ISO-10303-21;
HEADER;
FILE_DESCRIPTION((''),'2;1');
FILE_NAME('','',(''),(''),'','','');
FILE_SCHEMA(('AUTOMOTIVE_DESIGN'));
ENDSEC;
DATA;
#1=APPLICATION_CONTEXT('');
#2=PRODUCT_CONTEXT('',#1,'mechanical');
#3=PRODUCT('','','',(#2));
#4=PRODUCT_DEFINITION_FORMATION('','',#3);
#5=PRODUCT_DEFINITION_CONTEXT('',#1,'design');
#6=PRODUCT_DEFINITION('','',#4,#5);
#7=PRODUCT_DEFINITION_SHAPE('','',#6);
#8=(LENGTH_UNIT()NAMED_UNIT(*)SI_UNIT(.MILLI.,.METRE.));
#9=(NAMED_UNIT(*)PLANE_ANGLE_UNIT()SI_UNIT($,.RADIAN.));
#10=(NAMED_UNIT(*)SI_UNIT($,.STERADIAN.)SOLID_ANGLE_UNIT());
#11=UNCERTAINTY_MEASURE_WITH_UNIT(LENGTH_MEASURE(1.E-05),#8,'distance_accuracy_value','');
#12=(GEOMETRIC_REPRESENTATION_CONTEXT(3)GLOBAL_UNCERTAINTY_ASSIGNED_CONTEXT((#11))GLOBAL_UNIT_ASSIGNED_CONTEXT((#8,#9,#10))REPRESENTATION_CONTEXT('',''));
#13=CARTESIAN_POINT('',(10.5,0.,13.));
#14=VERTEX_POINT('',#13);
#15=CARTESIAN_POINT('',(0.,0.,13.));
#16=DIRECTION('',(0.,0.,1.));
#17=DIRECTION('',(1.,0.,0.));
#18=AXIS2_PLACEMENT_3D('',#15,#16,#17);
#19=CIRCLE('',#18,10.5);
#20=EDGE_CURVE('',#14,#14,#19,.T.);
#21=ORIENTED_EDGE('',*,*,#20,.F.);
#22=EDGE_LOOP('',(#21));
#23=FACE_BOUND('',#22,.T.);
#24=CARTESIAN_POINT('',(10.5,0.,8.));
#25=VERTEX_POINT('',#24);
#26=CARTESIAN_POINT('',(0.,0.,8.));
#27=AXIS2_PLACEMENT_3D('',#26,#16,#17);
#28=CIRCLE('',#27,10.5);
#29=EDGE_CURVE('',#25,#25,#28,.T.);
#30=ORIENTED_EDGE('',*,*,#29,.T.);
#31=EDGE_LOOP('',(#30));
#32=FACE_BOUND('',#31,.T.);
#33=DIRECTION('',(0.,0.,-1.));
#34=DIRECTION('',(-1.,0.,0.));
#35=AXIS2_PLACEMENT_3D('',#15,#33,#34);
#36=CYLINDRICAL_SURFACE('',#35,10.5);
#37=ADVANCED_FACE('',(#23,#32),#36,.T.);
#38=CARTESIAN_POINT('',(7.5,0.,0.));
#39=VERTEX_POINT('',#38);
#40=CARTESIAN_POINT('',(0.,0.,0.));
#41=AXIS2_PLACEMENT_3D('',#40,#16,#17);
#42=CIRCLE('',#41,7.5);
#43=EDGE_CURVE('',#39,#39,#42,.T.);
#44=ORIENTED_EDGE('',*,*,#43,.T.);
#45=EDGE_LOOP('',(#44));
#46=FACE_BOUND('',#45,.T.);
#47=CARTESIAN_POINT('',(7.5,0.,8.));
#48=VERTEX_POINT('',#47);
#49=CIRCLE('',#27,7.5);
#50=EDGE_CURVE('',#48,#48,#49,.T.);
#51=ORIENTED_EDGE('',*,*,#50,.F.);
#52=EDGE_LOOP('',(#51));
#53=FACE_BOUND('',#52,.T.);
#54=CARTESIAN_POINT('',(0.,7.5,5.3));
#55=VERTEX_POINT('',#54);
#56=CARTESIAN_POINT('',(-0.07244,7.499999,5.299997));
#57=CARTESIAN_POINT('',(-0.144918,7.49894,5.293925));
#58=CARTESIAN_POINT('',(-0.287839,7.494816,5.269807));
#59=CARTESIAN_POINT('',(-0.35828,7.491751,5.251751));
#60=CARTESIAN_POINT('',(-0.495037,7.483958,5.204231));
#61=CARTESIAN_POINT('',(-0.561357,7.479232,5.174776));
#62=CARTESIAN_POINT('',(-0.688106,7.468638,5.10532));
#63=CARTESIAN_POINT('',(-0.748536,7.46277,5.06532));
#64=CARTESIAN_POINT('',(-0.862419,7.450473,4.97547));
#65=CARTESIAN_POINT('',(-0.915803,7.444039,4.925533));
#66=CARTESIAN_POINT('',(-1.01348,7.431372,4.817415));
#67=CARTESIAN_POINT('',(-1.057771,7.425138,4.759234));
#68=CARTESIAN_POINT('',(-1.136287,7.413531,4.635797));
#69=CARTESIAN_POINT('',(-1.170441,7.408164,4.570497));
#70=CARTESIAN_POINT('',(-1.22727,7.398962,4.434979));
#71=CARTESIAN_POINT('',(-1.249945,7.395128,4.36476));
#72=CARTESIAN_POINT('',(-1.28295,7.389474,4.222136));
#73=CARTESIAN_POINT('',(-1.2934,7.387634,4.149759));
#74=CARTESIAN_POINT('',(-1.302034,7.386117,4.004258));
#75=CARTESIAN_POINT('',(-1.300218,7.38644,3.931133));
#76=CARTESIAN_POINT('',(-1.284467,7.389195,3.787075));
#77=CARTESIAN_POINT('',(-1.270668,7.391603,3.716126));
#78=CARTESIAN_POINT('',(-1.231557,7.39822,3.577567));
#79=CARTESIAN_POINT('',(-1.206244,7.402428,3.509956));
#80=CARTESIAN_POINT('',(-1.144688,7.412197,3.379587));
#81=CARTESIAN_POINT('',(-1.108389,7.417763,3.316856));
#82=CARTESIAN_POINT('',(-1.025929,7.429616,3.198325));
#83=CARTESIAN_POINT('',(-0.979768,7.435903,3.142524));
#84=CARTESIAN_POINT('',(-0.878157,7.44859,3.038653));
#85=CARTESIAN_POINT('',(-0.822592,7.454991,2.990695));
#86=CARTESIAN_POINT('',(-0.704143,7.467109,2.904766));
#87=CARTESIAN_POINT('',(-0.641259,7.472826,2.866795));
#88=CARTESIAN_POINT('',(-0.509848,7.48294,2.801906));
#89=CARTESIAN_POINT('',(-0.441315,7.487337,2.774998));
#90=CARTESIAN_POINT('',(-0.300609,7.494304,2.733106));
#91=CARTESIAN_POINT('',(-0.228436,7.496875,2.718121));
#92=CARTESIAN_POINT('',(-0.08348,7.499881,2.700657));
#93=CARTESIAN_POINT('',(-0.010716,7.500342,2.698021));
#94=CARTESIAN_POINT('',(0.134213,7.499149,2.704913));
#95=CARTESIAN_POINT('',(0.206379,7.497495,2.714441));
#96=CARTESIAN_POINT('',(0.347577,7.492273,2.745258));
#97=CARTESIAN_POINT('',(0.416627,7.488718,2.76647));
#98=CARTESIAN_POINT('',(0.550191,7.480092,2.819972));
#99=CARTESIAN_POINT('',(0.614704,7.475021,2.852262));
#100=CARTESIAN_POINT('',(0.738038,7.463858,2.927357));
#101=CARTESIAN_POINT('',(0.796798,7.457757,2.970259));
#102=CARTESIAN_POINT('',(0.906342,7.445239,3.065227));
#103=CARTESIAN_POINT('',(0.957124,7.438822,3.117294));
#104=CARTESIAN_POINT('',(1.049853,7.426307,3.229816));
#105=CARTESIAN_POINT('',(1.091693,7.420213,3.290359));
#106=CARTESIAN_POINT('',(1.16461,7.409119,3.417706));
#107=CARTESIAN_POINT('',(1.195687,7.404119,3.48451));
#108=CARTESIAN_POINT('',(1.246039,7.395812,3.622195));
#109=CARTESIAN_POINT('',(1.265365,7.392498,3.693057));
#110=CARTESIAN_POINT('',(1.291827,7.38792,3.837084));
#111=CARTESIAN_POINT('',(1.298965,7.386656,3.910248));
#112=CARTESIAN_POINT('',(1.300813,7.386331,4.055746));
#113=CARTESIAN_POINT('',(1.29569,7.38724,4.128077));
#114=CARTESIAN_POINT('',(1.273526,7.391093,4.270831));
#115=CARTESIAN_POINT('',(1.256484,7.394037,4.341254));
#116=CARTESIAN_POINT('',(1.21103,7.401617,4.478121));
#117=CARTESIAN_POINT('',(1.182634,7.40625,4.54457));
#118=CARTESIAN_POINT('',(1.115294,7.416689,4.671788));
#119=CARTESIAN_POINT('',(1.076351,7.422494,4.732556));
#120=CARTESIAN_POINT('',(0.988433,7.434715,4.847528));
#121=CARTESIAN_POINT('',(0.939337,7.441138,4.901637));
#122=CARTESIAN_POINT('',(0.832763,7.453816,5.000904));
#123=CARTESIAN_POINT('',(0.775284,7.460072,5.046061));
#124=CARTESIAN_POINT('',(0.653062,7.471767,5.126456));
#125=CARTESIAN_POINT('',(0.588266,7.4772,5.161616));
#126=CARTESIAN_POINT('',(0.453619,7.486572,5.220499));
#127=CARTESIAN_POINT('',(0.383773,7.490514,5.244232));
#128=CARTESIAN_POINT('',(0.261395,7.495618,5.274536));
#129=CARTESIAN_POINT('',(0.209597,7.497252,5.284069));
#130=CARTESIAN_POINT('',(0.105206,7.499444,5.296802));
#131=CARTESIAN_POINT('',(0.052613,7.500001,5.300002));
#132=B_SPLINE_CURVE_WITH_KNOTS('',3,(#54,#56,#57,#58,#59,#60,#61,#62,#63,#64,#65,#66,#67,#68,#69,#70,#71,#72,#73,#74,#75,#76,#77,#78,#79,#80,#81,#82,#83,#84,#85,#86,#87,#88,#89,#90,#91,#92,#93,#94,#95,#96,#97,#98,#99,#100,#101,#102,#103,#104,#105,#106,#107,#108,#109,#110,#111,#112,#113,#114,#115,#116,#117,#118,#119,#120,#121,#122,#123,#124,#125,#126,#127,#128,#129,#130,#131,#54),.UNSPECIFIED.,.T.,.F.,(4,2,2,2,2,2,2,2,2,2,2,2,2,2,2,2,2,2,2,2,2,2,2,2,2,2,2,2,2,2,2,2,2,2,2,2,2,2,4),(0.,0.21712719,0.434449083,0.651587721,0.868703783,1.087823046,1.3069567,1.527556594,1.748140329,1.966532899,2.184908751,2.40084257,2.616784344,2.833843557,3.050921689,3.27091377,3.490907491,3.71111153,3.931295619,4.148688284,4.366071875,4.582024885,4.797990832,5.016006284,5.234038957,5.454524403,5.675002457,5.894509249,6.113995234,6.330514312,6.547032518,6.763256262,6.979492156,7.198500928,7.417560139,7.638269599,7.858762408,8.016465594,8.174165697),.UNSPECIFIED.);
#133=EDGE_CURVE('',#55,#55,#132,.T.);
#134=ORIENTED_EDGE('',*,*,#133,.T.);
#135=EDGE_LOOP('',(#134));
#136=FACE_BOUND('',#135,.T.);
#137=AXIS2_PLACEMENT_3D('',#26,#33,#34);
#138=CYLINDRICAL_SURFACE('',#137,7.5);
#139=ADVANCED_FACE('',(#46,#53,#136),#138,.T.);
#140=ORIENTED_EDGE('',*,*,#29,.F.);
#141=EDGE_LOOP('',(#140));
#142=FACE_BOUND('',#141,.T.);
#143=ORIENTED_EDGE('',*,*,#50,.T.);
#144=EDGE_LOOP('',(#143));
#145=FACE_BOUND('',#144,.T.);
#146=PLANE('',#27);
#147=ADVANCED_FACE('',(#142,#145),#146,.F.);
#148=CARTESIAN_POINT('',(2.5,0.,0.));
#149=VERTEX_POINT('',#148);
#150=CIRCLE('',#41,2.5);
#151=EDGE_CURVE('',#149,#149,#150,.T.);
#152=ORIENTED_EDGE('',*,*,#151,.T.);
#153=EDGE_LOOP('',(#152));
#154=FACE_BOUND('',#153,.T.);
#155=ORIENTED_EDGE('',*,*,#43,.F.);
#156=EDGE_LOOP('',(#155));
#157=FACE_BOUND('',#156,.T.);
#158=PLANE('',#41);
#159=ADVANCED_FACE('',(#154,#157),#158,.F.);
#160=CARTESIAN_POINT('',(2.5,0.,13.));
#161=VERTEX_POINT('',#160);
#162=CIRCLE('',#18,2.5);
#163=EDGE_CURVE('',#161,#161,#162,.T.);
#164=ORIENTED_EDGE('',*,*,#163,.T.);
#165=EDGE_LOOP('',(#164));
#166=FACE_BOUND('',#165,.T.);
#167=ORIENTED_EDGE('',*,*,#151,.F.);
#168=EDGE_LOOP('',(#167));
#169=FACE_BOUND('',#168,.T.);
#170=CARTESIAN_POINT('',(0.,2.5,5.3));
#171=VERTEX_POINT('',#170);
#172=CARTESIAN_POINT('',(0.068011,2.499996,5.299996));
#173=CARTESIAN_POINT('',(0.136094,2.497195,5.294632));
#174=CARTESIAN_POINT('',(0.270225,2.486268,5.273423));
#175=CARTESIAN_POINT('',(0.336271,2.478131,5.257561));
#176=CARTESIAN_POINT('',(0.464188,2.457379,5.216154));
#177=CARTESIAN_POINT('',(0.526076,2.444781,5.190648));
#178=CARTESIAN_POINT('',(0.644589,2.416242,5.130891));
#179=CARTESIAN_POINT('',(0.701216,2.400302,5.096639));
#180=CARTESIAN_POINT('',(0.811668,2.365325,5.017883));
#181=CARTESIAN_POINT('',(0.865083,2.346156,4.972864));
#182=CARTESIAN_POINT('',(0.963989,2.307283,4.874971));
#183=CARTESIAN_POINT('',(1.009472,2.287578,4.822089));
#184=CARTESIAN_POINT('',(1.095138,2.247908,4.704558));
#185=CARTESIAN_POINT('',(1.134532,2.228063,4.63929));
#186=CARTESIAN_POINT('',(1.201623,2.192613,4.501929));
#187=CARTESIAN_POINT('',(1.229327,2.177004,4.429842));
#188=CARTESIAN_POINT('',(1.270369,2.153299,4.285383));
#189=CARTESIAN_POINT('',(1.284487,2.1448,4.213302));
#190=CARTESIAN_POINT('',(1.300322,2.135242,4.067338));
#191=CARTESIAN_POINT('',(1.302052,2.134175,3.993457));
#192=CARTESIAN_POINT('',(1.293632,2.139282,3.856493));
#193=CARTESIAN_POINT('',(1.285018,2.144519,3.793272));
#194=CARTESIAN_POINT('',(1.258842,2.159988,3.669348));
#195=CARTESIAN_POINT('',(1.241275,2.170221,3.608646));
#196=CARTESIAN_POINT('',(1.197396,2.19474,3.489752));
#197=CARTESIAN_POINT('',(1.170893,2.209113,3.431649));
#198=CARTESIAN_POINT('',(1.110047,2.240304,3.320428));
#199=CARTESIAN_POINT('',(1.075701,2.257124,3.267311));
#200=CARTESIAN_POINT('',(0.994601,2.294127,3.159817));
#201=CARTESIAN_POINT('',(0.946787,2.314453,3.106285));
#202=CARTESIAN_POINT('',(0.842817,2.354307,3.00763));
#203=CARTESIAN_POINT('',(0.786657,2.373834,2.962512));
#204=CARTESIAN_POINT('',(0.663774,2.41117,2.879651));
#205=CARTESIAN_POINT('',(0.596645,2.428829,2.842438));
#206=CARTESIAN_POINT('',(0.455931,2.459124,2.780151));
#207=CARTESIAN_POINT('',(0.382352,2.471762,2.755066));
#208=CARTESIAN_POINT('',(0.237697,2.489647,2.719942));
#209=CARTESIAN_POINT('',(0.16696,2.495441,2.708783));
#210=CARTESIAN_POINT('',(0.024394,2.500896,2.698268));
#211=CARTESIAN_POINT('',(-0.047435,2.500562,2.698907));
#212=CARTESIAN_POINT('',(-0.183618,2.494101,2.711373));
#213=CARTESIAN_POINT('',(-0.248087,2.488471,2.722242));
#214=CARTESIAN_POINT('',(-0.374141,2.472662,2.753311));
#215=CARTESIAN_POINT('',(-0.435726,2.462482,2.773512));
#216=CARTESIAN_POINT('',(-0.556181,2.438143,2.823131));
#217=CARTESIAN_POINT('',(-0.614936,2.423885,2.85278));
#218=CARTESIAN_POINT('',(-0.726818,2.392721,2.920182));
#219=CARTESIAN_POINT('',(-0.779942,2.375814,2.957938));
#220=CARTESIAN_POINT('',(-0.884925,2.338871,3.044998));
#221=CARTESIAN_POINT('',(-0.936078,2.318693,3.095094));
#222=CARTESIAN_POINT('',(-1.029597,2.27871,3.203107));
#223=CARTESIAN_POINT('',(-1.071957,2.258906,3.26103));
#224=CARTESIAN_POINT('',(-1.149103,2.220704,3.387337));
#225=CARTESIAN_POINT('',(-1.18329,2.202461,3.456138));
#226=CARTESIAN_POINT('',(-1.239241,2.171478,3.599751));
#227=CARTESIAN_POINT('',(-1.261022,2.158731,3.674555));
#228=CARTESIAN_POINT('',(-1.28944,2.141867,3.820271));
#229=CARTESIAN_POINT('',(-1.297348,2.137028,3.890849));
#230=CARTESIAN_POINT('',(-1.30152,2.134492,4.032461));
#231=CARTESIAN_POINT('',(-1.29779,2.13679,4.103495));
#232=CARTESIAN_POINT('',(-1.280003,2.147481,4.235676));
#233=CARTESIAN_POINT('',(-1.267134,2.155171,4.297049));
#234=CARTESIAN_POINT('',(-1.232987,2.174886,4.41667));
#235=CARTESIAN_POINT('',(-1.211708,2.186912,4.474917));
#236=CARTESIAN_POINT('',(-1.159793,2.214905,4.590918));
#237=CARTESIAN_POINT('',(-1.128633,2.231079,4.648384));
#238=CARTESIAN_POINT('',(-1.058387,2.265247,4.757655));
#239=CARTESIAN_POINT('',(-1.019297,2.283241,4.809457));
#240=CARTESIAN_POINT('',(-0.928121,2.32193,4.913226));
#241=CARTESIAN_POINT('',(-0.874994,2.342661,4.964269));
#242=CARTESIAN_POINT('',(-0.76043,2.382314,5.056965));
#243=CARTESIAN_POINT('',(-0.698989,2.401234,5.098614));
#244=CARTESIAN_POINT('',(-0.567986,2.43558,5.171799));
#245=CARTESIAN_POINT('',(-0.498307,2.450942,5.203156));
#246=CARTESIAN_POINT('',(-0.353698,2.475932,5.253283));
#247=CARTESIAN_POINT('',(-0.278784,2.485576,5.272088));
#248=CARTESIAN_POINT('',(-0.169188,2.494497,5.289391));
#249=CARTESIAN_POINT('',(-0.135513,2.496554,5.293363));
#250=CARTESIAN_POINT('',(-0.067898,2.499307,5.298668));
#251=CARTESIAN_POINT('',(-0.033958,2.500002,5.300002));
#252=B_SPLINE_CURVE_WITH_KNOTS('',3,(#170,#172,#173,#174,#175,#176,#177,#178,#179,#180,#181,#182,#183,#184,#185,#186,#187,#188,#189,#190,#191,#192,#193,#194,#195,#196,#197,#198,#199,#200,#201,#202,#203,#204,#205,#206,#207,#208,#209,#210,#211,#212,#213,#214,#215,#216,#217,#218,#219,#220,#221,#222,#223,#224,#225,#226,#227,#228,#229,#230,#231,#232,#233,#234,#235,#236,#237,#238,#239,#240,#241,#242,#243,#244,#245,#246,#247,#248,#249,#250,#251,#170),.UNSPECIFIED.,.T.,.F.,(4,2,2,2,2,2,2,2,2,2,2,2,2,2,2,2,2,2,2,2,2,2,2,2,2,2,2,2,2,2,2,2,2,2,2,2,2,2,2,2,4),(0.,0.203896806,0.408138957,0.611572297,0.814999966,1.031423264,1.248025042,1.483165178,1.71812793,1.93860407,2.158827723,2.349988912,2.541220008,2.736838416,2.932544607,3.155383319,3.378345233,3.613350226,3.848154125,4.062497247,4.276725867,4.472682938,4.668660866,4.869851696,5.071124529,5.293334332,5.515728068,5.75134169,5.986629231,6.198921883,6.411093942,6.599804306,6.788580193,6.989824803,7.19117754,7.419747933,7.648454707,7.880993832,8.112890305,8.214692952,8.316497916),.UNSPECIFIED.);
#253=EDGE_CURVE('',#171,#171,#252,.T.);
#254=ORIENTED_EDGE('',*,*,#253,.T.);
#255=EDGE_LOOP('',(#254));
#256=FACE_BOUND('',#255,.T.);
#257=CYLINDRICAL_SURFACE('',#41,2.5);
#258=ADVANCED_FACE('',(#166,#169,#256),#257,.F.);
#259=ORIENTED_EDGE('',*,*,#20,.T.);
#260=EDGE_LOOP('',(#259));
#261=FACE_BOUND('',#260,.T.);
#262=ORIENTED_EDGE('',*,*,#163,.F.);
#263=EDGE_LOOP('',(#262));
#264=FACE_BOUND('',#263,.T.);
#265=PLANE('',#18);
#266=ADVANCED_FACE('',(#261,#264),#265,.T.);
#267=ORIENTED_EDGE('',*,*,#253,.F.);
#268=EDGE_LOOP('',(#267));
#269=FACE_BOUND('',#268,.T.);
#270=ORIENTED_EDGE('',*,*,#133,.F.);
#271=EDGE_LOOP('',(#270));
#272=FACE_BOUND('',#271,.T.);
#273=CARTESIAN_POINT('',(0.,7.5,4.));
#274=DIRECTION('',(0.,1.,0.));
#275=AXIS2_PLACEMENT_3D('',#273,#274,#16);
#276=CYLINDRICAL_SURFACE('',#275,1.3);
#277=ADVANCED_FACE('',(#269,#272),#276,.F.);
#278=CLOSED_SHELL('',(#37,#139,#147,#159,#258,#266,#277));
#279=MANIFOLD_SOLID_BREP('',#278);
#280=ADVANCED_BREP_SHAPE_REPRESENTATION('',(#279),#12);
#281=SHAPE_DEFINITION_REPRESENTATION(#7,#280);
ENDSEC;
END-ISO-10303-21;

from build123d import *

# Parameters (mm, degrees)
SKETCH1_R                        = 7.5
BOSS_EXTRUDE1_DEPTH              = 8
SKETCH2_R                        = 10.5
BOSS_EXTRUDE2_DEPTH              = 5
SKETCH3_R                        = 2.5
CUT_EXTRUDE1_DEPTH               = 20.735754356
TAP_DRILL_FOR_M3X0_5_TAP1_REACH  = 24.699
TAP_DRILL_FOR_M3X0_5_TAP1_BORE_R = 1.3


with BuildPart() as part:
    # Sketch1 → Boss-Extrude1 (new body)
    with BuildSketch(Plane.XY):
        Circle(SKETCH1_R)
    extrude(amount=BOSS_EXTRUDE1_DEPTH)

    # Sketch2 → Boss-Extrude2 (add)
    with BuildSketch(Plane.XY.offset(8)):
        Circle(SKETCH2_R)
    extrude(amount=BOSS_EXTRUDE2_DEPTH)

    # Sketch3 → Cut-Extrude1 (cut, through all)
    with BuildSketch(Plane.XY.offset(13)):
        Circle(SKETCH3_R)
    extrude(amount=-CUT_EXTRUDE1_DEPTH, mode=Mode.SUBTRACT)

    # Tap Drill for M3x0.5 Tap1 bore (on position points) → Tap Drill for M3x0.5 Tap1 (cut, up to next)
    with BuildSketch(Plane(origin=(0, 7.5, 4), x_dir=(1, 0, 0), z_dir=(0, 1, 0)), mode=Mode.PRIVATE) as tap_drill_for_m3x0_5_tap1_sk1:
        Circle(TAP_DRILL_FOR_M3X0_5_TAP1_BORE_R)
    tap_drill_for_m3x0_5_tap1_tool1 = extrude(tap_drill_for_m3x0_5_tap1_sk1.sketch, amount=-TAP_DRILL_FOR_M3X0_5_TAP1_REACH, mode=Mode.PRIVATE) & part.part
    add(tap_drill_for_m3x0_5_tap1_tool1.solids().sort_by_distance((0, 7.5, 4))[0], mode=Mode.SUBTRACT)


solid = part.part
